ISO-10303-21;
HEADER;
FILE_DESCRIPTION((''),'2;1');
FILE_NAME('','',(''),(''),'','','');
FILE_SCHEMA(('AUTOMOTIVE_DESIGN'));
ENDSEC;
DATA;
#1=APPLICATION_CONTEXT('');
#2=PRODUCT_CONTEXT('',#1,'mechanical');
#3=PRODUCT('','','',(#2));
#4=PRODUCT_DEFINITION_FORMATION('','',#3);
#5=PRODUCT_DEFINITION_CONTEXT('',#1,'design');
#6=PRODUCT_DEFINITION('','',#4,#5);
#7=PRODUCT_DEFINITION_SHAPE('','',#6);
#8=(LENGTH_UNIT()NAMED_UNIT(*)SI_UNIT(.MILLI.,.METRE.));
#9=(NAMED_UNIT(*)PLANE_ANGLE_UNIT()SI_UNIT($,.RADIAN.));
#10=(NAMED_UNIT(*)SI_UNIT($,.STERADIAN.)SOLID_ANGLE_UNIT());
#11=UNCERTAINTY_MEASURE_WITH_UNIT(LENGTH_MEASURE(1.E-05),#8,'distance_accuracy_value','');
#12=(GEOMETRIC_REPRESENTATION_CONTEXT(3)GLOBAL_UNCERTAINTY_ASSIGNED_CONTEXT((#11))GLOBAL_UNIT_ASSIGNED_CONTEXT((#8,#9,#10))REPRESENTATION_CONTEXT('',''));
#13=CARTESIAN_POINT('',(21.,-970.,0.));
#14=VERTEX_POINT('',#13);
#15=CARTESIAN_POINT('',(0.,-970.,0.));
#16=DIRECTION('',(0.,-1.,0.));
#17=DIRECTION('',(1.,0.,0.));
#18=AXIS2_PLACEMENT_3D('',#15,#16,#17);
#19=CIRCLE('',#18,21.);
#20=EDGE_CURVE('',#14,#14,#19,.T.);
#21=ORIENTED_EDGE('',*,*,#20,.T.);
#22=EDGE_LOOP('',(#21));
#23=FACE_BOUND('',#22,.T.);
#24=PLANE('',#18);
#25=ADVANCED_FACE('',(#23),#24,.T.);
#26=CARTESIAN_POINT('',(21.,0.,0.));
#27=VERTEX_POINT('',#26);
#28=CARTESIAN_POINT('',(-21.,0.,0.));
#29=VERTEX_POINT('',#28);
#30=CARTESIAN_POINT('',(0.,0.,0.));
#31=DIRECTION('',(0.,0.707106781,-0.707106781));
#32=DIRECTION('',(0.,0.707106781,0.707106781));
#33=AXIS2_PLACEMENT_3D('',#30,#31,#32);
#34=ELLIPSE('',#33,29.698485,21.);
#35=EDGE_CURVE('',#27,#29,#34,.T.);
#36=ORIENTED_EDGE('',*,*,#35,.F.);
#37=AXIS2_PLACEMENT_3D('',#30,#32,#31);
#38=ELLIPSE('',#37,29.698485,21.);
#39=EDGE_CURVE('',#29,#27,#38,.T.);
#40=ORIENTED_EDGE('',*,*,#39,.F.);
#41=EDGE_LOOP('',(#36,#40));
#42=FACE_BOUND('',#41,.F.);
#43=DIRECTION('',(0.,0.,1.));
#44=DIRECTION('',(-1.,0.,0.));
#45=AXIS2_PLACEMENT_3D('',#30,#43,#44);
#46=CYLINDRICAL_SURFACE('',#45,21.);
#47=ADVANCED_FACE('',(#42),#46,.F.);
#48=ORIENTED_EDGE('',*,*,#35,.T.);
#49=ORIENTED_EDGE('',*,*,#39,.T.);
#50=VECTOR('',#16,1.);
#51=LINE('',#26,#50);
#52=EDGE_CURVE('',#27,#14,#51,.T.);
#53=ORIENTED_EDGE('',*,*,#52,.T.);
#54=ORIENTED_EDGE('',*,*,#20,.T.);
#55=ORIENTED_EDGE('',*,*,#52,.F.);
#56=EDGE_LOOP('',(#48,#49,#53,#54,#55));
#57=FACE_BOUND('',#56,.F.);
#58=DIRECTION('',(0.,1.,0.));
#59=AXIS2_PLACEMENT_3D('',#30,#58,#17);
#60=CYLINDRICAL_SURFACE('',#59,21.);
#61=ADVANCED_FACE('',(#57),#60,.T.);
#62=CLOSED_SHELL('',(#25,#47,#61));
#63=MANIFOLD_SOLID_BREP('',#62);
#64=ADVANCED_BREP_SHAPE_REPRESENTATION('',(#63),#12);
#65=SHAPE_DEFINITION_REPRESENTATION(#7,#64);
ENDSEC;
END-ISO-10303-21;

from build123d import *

# Parameters (mm, degrees)
F0_R     = 21
F1_DEPTH = 970
F3_DEPTH = 500


with BuildPart() as f1:
    # F0 (on Front) → F1 (new body)
    with BuildSketch(Plane.XZ):
        Circle(F0_R)
    extrude(amount=F1_DEPTH)

    # F2 (on Top) → F3 (cut, symmetric)
    with BuildSketch(Plane.XY):
        with BuildLine():
            ThreePointArc((21, 0), (0, 21), (-21, 0))
            Line((-21, 0), (0, 0))
            Line((0, 0), (21, 0))
        make_face()
        with BuildLine():
            Line((0, 0), (-21, 0))
            ThreePointArc((-21, 0), (0, -21), (21, 0))
            Line((21, 0), (0, 0))
        make_face()
    extrude(amount=F3_DEPTH, both=True, mode=Mode.SUBTRACT)


solid = f1.part
